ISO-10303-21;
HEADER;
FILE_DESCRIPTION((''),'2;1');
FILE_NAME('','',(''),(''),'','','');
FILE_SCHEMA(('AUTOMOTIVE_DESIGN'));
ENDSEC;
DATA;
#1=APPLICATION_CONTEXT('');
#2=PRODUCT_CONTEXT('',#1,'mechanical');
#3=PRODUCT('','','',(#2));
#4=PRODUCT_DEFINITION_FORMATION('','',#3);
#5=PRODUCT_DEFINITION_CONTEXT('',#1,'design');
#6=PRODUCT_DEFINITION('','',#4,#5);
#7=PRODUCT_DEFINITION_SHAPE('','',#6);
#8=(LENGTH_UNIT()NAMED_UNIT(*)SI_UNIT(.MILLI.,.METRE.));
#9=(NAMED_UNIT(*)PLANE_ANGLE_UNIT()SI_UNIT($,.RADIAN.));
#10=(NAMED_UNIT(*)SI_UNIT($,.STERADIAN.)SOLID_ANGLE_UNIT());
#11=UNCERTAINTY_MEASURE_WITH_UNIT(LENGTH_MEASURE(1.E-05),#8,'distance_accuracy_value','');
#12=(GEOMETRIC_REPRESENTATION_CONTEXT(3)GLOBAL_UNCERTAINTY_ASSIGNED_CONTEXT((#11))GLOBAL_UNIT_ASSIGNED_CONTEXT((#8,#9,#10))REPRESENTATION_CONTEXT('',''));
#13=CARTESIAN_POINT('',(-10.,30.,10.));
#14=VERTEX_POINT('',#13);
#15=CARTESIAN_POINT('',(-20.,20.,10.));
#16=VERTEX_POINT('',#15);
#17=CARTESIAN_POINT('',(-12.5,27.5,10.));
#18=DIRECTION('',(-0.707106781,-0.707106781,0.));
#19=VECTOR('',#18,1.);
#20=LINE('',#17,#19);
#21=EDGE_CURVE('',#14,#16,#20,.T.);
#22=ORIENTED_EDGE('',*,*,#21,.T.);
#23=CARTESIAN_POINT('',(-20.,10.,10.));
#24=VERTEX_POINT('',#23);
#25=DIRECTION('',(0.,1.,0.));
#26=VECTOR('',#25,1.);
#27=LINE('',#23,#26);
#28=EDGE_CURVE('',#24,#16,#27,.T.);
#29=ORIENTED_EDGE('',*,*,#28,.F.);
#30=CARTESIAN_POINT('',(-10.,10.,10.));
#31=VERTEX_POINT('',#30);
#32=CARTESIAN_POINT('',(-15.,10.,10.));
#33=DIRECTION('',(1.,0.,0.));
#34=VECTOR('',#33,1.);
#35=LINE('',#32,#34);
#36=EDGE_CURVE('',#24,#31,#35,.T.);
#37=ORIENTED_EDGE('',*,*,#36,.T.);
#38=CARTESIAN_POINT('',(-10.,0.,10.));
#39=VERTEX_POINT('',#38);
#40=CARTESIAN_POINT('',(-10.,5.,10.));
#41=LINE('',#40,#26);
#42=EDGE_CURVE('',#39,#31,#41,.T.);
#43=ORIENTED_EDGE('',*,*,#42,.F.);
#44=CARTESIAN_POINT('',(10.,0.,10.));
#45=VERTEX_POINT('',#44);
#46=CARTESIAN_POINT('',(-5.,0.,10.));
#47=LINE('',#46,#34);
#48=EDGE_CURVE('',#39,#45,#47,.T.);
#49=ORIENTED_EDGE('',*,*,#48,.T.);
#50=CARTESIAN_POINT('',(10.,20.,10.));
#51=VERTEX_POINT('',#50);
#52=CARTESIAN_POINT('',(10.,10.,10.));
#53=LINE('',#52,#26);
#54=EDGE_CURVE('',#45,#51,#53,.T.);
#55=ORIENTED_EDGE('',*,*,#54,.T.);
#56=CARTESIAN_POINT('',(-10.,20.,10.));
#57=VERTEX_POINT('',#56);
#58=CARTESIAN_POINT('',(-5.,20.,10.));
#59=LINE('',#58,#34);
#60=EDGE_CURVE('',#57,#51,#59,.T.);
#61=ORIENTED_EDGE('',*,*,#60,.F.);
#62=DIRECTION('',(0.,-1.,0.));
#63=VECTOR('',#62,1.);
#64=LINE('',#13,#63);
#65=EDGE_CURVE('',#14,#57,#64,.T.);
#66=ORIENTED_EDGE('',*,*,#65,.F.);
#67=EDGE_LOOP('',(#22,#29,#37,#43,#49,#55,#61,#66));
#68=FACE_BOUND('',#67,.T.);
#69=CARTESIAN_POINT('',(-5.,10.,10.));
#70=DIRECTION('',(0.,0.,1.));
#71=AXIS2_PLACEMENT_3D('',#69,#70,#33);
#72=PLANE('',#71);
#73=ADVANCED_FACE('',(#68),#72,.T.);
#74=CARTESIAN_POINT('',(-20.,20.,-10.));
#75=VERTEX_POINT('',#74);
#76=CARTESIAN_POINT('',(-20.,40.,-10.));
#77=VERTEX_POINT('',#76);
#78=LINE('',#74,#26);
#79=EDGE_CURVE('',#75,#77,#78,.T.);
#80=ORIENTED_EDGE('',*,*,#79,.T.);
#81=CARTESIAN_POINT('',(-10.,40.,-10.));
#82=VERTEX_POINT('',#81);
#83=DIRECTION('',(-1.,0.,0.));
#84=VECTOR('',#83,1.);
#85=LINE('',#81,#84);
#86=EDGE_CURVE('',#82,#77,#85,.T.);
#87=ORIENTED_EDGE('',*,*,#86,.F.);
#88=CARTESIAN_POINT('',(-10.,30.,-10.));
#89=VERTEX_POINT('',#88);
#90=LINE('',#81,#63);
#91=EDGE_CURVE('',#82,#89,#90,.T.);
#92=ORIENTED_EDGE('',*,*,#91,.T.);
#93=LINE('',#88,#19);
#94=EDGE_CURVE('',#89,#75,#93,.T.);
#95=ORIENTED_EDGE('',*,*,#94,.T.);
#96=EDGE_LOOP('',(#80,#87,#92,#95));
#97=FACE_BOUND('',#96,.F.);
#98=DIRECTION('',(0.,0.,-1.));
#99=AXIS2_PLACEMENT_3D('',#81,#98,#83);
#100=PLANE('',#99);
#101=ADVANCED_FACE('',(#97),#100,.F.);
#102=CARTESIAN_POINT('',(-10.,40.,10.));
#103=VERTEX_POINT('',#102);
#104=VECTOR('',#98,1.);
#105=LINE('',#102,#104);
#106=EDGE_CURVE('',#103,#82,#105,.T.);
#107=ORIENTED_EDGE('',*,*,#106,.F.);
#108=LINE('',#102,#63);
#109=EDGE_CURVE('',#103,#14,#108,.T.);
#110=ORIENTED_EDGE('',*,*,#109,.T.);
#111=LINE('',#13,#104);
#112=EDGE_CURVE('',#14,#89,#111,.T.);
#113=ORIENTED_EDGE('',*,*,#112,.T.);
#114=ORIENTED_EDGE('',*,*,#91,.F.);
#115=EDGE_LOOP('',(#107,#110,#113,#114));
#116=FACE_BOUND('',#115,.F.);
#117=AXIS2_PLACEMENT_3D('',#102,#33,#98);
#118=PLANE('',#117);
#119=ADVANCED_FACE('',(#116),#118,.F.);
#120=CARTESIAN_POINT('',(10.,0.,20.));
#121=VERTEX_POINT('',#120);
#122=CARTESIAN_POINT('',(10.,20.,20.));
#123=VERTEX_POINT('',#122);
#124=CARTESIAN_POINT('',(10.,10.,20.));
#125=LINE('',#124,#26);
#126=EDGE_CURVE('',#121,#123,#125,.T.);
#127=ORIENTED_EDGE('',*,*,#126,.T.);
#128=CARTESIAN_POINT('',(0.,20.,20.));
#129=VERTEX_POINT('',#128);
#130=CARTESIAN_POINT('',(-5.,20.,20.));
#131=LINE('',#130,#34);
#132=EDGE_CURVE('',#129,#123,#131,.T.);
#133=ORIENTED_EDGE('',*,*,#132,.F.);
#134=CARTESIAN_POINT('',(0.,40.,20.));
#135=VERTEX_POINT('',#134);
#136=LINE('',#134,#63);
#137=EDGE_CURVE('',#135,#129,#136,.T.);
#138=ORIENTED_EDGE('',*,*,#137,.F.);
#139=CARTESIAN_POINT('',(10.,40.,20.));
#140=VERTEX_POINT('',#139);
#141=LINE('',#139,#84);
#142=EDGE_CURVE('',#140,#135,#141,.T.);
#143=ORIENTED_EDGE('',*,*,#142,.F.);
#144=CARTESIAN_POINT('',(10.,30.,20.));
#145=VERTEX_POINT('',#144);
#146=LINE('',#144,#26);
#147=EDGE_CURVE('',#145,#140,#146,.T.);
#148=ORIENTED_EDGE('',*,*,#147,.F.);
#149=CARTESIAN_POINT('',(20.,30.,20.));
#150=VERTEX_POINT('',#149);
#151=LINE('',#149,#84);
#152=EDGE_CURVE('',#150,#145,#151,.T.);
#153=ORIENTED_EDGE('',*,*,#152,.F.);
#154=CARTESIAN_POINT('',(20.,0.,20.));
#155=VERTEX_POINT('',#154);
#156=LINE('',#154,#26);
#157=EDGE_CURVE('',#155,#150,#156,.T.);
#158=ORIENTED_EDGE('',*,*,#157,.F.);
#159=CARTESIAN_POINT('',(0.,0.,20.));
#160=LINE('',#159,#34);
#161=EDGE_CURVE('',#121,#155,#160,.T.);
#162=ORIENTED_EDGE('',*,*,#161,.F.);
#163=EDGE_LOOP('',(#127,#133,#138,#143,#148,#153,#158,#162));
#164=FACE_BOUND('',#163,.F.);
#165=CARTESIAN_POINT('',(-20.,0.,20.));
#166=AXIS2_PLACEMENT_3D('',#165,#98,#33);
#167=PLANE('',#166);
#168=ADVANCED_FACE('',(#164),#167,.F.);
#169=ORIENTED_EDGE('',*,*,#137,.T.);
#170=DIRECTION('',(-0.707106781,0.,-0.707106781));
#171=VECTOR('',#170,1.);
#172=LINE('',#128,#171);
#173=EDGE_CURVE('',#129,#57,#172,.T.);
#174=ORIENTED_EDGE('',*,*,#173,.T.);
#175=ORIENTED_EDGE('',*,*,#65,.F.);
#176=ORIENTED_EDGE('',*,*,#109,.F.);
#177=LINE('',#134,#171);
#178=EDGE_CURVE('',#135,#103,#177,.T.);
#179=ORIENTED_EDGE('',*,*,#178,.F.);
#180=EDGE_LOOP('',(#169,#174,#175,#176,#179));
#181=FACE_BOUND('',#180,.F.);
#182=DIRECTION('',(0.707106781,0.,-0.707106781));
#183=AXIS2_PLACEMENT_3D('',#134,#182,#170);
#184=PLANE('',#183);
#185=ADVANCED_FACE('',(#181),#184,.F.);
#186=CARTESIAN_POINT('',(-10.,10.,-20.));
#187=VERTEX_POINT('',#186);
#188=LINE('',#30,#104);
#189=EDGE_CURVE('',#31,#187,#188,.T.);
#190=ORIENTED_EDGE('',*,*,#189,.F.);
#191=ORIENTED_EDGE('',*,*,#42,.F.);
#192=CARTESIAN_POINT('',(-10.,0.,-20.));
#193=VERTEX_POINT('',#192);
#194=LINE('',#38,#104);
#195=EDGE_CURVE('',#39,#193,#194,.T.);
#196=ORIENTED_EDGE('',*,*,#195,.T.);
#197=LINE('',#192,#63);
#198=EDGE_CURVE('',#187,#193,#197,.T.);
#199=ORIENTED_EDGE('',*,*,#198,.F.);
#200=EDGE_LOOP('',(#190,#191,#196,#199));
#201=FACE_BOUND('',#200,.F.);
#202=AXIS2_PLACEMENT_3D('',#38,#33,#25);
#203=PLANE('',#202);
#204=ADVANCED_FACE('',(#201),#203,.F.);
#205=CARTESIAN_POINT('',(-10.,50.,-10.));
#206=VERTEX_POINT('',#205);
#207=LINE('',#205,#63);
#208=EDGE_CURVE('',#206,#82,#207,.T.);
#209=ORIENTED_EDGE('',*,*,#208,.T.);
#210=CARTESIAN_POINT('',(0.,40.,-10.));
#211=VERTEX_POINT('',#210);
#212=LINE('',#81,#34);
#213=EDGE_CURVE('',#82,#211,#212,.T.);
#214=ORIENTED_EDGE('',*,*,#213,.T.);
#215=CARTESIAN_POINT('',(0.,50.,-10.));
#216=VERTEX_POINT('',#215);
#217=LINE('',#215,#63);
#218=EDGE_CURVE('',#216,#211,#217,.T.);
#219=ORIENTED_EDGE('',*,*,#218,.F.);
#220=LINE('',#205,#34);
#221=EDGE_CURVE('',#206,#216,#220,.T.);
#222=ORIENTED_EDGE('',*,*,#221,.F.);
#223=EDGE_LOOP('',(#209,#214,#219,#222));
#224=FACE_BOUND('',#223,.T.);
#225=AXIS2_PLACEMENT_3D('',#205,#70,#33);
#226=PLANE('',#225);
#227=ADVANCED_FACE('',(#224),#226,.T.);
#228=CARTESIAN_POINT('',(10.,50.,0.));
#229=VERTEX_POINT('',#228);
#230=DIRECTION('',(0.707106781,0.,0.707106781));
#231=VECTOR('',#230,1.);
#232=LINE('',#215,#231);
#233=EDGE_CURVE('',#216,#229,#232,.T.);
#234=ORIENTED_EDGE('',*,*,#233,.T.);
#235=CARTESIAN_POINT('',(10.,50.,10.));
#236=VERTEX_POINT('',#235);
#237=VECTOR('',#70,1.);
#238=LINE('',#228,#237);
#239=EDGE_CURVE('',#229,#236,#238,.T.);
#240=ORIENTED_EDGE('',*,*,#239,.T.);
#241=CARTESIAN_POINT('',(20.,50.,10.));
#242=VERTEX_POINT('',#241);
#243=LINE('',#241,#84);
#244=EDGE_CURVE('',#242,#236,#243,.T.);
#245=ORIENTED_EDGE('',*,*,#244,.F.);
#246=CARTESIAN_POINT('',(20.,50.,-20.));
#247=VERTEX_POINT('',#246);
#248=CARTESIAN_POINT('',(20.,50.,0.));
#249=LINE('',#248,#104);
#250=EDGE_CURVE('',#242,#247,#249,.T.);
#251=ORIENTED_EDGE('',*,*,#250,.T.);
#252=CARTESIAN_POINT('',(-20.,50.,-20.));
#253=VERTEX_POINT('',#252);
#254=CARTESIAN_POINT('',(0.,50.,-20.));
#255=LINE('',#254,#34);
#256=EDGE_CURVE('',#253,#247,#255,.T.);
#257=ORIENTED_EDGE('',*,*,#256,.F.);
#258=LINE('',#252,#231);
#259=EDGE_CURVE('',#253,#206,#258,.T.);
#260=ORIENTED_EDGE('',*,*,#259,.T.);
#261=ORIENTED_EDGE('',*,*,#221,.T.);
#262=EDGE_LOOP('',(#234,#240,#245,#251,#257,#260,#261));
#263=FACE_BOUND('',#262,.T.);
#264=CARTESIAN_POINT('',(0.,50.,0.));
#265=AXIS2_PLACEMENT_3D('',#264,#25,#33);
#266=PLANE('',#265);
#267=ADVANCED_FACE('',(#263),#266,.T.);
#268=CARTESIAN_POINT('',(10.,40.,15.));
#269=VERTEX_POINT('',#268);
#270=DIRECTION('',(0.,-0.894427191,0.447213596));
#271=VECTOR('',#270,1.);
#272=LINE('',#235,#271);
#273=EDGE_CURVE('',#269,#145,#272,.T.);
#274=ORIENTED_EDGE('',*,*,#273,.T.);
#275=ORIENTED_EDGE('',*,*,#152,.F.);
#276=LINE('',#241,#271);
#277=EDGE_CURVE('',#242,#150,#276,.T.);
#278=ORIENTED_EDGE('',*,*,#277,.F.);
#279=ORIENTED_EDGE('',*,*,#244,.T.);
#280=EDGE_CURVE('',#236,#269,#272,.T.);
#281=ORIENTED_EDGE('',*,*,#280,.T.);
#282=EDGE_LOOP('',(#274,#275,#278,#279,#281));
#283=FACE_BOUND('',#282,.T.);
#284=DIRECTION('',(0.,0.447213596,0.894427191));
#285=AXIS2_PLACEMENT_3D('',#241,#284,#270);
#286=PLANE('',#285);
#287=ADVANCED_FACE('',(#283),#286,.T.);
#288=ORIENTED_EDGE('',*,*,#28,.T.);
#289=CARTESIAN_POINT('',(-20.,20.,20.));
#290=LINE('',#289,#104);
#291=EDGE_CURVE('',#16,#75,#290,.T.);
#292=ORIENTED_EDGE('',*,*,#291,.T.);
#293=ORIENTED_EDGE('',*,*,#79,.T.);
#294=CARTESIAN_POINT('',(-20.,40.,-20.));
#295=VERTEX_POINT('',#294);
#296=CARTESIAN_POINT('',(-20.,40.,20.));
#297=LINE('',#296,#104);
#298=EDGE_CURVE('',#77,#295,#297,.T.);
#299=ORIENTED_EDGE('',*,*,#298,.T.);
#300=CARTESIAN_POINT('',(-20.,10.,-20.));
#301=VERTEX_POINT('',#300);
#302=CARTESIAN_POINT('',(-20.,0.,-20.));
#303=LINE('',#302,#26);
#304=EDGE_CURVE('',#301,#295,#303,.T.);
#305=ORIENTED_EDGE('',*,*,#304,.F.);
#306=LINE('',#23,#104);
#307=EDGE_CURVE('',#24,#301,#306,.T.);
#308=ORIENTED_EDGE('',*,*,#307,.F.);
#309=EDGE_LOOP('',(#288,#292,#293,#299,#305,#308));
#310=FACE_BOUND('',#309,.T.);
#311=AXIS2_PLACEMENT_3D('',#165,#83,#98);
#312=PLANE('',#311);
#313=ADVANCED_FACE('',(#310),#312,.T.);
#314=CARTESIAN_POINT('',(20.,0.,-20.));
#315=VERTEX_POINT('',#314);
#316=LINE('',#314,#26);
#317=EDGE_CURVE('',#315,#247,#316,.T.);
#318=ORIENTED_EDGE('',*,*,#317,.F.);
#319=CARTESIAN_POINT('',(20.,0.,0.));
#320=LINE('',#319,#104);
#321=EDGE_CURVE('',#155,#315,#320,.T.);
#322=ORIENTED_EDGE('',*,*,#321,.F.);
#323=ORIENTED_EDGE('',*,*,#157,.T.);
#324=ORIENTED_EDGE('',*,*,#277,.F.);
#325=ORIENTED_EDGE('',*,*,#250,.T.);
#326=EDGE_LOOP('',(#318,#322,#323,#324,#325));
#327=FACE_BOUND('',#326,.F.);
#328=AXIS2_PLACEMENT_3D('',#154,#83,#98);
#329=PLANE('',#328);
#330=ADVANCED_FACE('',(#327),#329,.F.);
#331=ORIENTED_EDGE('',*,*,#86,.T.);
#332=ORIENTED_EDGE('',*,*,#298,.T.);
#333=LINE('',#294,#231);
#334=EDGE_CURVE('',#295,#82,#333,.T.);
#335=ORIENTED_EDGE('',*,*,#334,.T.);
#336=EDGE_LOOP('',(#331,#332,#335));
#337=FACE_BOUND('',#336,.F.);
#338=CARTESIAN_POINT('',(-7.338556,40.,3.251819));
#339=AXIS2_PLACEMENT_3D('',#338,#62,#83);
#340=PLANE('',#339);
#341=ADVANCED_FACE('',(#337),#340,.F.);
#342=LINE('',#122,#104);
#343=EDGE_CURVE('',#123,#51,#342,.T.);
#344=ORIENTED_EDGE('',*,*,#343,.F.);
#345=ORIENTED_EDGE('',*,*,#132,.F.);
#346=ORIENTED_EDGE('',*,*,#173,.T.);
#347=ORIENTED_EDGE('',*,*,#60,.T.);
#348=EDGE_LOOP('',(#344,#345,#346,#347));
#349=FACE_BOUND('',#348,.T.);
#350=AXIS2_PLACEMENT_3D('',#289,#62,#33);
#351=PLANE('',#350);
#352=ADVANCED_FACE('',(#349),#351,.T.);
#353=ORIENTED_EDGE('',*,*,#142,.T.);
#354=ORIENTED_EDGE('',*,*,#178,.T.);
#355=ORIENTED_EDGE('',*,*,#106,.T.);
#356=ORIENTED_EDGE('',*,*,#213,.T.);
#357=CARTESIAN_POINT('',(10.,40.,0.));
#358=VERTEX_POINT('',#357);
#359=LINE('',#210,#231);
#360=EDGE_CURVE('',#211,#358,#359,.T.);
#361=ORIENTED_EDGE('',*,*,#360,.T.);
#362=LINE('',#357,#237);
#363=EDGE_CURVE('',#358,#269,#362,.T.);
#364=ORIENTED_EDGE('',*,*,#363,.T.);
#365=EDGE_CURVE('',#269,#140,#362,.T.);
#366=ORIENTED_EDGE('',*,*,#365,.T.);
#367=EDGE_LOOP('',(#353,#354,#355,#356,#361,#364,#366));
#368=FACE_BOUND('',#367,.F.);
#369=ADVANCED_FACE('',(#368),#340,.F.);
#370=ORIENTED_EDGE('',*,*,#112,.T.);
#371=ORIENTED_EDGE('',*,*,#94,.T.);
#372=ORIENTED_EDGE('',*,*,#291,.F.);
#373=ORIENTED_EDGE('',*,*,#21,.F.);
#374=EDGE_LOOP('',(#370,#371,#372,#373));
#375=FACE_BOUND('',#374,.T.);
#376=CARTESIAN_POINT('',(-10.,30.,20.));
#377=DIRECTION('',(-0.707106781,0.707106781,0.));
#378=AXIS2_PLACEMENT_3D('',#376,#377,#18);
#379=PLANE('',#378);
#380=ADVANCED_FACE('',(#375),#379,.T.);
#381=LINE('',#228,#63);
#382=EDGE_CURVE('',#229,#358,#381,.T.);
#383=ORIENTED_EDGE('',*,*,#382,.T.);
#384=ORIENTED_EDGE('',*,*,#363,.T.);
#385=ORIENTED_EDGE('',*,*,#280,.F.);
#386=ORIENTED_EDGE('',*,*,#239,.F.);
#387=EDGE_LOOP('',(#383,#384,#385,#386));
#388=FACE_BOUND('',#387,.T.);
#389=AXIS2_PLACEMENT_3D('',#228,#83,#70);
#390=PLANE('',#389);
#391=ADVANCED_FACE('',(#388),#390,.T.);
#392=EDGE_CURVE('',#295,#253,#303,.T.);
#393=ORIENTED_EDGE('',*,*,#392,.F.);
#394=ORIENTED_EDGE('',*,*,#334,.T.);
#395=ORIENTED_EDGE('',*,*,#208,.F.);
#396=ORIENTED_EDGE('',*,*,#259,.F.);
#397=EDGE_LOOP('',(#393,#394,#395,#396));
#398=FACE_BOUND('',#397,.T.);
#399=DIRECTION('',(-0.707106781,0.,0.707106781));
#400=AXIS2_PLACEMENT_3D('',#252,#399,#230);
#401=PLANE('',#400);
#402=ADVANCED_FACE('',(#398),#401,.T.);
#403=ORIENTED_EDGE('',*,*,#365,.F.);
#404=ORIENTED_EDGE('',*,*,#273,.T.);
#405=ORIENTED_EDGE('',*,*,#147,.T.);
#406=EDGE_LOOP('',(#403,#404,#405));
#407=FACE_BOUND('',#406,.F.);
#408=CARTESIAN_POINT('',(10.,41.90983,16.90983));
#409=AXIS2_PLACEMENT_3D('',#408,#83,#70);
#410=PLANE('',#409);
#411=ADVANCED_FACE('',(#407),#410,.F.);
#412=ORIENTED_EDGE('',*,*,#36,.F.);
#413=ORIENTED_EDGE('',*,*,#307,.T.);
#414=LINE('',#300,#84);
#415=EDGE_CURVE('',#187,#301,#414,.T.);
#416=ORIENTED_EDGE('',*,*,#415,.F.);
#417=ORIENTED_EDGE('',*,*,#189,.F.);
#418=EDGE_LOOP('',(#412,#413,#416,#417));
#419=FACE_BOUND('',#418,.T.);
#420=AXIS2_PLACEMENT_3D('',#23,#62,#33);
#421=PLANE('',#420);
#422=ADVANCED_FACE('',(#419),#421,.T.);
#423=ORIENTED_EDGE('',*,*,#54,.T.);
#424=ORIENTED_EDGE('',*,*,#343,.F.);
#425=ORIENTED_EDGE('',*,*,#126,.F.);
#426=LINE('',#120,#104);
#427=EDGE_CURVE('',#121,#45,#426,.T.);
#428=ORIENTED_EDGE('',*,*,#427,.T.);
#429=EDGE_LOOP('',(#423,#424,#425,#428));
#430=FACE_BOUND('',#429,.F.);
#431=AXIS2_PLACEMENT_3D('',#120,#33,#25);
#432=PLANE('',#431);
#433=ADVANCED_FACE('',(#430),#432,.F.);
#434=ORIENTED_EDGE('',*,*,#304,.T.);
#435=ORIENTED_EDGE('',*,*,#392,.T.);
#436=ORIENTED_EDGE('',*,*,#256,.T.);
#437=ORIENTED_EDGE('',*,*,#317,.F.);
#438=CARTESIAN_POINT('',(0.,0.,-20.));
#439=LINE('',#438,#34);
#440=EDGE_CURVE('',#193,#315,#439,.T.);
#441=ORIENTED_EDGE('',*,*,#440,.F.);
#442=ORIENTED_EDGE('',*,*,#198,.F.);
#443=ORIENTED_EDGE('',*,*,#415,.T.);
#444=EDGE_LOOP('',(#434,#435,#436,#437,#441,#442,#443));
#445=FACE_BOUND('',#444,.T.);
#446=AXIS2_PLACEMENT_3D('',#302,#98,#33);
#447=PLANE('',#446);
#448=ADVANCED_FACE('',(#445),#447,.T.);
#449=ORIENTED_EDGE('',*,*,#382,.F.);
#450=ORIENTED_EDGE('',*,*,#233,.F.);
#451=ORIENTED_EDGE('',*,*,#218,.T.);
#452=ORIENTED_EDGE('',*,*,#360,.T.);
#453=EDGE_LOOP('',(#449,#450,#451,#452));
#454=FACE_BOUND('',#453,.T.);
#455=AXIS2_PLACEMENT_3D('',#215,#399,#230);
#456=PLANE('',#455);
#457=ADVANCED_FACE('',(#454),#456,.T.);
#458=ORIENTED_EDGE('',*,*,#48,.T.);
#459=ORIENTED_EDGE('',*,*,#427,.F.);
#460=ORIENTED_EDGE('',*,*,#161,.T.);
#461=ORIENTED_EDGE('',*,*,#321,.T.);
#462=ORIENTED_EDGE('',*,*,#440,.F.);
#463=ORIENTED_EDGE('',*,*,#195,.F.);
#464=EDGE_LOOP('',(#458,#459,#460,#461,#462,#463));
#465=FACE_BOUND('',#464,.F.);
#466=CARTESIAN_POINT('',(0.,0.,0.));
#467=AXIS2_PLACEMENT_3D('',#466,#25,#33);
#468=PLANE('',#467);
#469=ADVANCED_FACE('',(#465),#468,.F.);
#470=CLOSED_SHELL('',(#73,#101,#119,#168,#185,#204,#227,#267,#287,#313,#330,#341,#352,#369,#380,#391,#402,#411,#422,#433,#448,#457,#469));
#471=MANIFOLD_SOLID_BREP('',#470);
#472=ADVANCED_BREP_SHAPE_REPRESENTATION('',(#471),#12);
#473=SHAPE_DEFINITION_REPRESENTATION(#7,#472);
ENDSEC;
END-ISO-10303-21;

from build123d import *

# Parameters (mm, degrees)
SKETCH1_W           = 40
SKETCH1_H           = 40
BOSS_EXTRUDE1_DEPTH = 50
CUT_EXTRUDE1_DEPTH  = 10
CUT_EXTRUDE2_DEPTH  = 10
CUT_EXTRUDE5_DEPTH  = 10
CUT_EXTRUDE6_DEPTH  = 30
CUT_EXTRUDE7_DEPTH  = 10
SKETCH10_W          = 10
SKETCH10_H          = 10
CUT_EXTRUDE8_DEPTH  = 10
SKETCH11_W          = 30
SKETCH11_H          = 20
CUT_EXTRUDE9_DEPTH  = 10
SKETCH13_W          = 10
SKETCH13_H          = 10
CUT_EXTRUDE10_DEPTH = 31


with BuildPart() as part:
    # Sketch1 → Boss-Extrude1 (new body)
    with BuildSketch(Plane(origin=(0, 0, 0), x_dir=(1, 0, 0), z_dir=(0, 1, 0))):
        Rectangle(SKETCH1_W, SKETCH1_H)
    extrude(amount=BOSS_EXTRUDE1_DEPTH)

    # Sketch2 → Cut-Extrude1 (cut)
    with BuildSketch(Plane(origin=(0, 50, 0), x_dir=(1, 0, 0), z_dir=(0, 1, 0))):
        Polygon((-20, 20), (-10, 10), (0, 10), (10, 0), (10, -20), (-20, -20), align=None)
    extrude(amount=-CUT_EXTRUDE1_DEPTH, mode=Mode.SUBTRACT)

    # Sketch3 → Cut-Extrude2 (cut)
    with BuildSketch(Plane(origin=(20, 0, 0), x_dir=(0, 0, -1), z_dir=(1, 0, 0))):
        Polygon((-20, 50), (-10, 50), (-20, 30), align=None)
    extrude(amount=-CUT_EXTRUDE2_DEPTH, mode=Mode.SUBTRACT)

    # Sketch7 → Cut-Extrude5 (cut)
    with BuildSketch(Plane(origin=(0, 40, 0), x_dir=(1, 0, 0), z_dir=(0, 1, 0))):
        Polygon((0, -20), (-10, -10), (-10, 10), (-20, 10), (-20, -20), align=None)
    extrude(amount=-CUT_EXTRUDE5_DEPTH, mode=Mode.SUBTRACT)

    # Sketch8 → Cut-Extrude6 (cut)
    with BuildSketch(Plane.XY.offset(20)):
        Polygon((-10, 30), (-20, 20), (-20, 30), align=None)
    extrude(amount=-CUT_EXTRUDE6_DEPTH, mode=Mode.SUBTRACT)

    # Sketch9 → Cut-Extrude7 (cut)
    with BuildSketch(Plane(origin=(0, 30, 0), x_dir=(1, 0, 0), z_dir=(0, 1, 0))):
        Polygon((0, -20), (-10, -10), (-10, -20), align=None)
    extrude(amount=-CUT_EXTRUDE7_DEPTH, mode=Mode.SUBTRACT)

    # Sketch10 → Cut-Extrude8 (cut)
    with BuildSketch(Plane(origin=(-10, 0, 0), x_dir=(0, 0, -1), z_dir=(1, 0, 0))):
        with Locations((-15, 25)):
            Rectangle(SKETCH10_W, SKETCH10_H)
    extrude(amount=-CUT_EXTRUDE8_DEPTH, mode=Mode.SUBTRACT)

    # Sketch11 → Cut-Extrude9 (cut)
    with BuildSketch(Plane.XY.offset(20)):
        with Locations((-5, 10)):
            Rectangle(SKETCH11_W, SKETCH11_H)
    extrude(amount=-CUT_EXTRUDE9_DEPTH, mode=Mode.SUBTRACT)

    # Sketch13 → Cut-Extrude10 (cut, through all)
    with BuildSketch(Plane.XY.offset(10)):
        with Locations((-15, 5)):
            Rectangle(SKETCH13_W, SKETCH13_H)
    extrude(amount=-CUT_EXTRUDE10_DEPTH, mode=Mode.SUBTRACT)


solid = part.part
